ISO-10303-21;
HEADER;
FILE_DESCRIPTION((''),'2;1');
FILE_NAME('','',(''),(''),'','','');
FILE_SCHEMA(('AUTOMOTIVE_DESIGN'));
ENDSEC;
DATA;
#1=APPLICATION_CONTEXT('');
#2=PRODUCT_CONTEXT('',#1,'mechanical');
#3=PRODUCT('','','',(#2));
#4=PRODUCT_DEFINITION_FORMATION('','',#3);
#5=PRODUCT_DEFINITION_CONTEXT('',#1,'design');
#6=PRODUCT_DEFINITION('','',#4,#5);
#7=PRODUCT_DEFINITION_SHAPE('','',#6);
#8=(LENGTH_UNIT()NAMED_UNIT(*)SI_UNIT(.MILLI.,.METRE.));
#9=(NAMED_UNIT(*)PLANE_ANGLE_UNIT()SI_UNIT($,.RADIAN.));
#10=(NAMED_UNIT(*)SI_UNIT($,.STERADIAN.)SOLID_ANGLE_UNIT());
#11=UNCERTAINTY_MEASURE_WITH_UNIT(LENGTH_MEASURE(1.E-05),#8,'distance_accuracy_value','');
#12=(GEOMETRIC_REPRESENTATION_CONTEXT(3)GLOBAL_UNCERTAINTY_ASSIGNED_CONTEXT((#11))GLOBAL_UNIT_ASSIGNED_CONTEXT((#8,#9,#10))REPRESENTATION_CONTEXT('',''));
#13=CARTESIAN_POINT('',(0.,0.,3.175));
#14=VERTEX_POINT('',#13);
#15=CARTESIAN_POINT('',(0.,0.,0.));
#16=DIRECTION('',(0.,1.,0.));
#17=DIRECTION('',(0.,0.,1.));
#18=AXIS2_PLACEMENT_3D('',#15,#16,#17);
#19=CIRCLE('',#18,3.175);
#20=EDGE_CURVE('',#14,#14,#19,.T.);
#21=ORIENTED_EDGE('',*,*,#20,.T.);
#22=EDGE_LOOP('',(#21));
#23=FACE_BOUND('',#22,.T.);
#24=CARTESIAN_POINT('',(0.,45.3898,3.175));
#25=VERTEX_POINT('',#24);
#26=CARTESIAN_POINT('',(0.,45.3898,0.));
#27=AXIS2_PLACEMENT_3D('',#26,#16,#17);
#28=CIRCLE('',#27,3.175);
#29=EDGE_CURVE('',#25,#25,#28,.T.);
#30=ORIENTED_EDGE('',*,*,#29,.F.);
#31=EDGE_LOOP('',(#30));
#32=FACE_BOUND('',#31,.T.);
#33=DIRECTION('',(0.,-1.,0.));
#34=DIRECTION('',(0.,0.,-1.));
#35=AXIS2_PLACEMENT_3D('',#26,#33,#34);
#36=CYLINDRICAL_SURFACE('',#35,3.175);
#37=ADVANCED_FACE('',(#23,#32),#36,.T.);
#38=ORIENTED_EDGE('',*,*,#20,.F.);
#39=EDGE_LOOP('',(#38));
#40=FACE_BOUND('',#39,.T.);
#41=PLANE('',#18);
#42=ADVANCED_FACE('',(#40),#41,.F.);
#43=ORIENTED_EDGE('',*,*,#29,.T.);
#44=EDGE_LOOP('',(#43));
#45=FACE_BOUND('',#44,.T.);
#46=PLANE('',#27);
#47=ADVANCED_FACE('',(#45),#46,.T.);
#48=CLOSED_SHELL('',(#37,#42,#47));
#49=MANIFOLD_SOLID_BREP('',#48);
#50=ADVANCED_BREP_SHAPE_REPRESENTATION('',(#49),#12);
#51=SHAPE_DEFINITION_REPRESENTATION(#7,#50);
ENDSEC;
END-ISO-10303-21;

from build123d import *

# Parameters (mm, degrees)
SKETCH1_R           = 3.175
BOSS_EXTRUDE1_DEPTH = 45.3898


with BuildPart() as part:
    # Sketch1 → Boss-Extrude1 (new body)
    with BuildSketch(Plane(origin=(0, 0, 0), x_dir=(1, 0, 0), z_dir=(0, 1, 0))):
        Circle(SKETCH1_R)
    extrude(amount=BOSS_EXTRUDE1_DEPTH)


solid = part.part
